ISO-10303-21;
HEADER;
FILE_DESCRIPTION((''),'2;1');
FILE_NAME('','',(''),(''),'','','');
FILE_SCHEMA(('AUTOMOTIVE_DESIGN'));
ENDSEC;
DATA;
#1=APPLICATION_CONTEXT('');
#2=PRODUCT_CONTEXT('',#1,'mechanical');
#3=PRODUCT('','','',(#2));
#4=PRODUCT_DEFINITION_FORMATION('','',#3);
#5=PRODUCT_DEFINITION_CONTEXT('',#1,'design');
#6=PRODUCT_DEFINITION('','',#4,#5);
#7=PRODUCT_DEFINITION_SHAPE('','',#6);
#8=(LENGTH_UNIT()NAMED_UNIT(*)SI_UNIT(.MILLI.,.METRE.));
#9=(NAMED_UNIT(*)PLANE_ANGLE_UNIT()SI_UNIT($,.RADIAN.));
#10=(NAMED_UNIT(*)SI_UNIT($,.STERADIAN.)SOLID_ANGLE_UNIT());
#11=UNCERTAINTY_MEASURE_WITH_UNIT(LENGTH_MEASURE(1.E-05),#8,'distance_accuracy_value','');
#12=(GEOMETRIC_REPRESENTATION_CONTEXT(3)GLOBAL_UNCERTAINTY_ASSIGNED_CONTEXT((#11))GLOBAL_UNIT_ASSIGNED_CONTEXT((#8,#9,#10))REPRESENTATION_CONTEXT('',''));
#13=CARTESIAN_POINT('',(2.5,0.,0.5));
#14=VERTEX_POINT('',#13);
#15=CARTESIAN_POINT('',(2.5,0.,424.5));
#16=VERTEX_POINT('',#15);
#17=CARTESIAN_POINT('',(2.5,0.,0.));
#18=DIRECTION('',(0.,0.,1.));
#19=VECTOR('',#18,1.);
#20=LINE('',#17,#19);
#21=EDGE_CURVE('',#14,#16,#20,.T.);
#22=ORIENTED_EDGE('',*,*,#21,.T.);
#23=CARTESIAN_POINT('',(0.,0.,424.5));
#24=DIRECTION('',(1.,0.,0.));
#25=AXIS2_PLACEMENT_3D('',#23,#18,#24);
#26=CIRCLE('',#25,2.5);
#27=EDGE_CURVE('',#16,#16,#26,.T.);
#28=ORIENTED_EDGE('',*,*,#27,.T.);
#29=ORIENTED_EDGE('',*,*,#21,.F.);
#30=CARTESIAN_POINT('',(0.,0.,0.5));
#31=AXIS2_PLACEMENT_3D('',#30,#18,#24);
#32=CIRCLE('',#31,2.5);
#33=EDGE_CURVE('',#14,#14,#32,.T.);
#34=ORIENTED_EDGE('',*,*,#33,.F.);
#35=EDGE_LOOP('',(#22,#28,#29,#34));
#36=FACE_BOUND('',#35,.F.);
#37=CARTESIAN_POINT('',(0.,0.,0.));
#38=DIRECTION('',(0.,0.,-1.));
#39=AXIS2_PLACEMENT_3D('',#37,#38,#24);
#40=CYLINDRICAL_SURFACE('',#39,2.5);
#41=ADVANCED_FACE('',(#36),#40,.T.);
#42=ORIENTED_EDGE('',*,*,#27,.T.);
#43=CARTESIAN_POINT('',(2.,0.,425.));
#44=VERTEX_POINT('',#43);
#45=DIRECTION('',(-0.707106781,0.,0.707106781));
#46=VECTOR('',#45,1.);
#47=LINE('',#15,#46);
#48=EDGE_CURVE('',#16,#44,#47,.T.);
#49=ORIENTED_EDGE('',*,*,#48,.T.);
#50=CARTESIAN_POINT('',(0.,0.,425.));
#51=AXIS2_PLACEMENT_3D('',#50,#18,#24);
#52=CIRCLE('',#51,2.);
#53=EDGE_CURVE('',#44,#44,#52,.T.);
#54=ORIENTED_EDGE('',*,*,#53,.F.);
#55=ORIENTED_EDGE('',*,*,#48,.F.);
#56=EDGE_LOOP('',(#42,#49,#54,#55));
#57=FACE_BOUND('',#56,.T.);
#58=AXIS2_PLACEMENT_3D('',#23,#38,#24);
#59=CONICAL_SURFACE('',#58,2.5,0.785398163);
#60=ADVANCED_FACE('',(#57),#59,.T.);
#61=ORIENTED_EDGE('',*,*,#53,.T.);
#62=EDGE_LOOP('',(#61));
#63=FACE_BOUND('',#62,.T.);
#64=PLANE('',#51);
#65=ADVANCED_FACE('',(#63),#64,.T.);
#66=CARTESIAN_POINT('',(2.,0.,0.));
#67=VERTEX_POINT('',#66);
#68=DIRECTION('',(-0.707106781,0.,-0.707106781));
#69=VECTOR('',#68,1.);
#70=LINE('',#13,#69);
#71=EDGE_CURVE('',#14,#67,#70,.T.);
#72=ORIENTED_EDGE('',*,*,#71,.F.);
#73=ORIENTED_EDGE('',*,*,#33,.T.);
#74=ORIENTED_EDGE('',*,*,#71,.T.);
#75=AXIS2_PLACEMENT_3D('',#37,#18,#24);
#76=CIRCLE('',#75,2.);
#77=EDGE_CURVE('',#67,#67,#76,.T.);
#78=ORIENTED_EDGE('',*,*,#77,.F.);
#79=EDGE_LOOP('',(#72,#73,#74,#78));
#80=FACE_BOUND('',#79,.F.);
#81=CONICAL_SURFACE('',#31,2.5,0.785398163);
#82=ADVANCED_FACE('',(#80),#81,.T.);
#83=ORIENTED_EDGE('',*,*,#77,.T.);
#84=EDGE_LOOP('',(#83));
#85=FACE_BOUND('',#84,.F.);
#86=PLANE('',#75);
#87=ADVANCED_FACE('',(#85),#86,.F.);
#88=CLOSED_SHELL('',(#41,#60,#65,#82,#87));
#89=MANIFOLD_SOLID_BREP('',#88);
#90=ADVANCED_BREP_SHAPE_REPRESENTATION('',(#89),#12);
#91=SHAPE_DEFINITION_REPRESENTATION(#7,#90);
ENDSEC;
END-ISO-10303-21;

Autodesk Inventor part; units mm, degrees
ref_plane "YZ Plane" through (0, 0, 0) normal (1, 0, 0) x (0, 1, 0)
ref_plane "XZ Plane" through (0, 0, 0) normal (0, 1, 0) x (-1, 0, 0)
ref_plane "XY Plane" through (0, 0, 0) normal (0, 0, 1) x (1, 0, 0)
sketch "Sketch1" plane through (0, 0, 0) normal (0, 0, 1) x (1, 0, 0)
  circle A0 centre (0, 0) radius 2.5
  dimension "d0" = 5
extrude "Extrusion1" add sketch "Sketch1" along normal blind 425
chamfer "Chamfer1" distance 0.5 angle 45 2 edges at (-2.5, 0, 0) (-2.5, 0, 425)
properties part number "CUT_STEEL_5x425mm_Linear_rod" material "Stainless Steel"
